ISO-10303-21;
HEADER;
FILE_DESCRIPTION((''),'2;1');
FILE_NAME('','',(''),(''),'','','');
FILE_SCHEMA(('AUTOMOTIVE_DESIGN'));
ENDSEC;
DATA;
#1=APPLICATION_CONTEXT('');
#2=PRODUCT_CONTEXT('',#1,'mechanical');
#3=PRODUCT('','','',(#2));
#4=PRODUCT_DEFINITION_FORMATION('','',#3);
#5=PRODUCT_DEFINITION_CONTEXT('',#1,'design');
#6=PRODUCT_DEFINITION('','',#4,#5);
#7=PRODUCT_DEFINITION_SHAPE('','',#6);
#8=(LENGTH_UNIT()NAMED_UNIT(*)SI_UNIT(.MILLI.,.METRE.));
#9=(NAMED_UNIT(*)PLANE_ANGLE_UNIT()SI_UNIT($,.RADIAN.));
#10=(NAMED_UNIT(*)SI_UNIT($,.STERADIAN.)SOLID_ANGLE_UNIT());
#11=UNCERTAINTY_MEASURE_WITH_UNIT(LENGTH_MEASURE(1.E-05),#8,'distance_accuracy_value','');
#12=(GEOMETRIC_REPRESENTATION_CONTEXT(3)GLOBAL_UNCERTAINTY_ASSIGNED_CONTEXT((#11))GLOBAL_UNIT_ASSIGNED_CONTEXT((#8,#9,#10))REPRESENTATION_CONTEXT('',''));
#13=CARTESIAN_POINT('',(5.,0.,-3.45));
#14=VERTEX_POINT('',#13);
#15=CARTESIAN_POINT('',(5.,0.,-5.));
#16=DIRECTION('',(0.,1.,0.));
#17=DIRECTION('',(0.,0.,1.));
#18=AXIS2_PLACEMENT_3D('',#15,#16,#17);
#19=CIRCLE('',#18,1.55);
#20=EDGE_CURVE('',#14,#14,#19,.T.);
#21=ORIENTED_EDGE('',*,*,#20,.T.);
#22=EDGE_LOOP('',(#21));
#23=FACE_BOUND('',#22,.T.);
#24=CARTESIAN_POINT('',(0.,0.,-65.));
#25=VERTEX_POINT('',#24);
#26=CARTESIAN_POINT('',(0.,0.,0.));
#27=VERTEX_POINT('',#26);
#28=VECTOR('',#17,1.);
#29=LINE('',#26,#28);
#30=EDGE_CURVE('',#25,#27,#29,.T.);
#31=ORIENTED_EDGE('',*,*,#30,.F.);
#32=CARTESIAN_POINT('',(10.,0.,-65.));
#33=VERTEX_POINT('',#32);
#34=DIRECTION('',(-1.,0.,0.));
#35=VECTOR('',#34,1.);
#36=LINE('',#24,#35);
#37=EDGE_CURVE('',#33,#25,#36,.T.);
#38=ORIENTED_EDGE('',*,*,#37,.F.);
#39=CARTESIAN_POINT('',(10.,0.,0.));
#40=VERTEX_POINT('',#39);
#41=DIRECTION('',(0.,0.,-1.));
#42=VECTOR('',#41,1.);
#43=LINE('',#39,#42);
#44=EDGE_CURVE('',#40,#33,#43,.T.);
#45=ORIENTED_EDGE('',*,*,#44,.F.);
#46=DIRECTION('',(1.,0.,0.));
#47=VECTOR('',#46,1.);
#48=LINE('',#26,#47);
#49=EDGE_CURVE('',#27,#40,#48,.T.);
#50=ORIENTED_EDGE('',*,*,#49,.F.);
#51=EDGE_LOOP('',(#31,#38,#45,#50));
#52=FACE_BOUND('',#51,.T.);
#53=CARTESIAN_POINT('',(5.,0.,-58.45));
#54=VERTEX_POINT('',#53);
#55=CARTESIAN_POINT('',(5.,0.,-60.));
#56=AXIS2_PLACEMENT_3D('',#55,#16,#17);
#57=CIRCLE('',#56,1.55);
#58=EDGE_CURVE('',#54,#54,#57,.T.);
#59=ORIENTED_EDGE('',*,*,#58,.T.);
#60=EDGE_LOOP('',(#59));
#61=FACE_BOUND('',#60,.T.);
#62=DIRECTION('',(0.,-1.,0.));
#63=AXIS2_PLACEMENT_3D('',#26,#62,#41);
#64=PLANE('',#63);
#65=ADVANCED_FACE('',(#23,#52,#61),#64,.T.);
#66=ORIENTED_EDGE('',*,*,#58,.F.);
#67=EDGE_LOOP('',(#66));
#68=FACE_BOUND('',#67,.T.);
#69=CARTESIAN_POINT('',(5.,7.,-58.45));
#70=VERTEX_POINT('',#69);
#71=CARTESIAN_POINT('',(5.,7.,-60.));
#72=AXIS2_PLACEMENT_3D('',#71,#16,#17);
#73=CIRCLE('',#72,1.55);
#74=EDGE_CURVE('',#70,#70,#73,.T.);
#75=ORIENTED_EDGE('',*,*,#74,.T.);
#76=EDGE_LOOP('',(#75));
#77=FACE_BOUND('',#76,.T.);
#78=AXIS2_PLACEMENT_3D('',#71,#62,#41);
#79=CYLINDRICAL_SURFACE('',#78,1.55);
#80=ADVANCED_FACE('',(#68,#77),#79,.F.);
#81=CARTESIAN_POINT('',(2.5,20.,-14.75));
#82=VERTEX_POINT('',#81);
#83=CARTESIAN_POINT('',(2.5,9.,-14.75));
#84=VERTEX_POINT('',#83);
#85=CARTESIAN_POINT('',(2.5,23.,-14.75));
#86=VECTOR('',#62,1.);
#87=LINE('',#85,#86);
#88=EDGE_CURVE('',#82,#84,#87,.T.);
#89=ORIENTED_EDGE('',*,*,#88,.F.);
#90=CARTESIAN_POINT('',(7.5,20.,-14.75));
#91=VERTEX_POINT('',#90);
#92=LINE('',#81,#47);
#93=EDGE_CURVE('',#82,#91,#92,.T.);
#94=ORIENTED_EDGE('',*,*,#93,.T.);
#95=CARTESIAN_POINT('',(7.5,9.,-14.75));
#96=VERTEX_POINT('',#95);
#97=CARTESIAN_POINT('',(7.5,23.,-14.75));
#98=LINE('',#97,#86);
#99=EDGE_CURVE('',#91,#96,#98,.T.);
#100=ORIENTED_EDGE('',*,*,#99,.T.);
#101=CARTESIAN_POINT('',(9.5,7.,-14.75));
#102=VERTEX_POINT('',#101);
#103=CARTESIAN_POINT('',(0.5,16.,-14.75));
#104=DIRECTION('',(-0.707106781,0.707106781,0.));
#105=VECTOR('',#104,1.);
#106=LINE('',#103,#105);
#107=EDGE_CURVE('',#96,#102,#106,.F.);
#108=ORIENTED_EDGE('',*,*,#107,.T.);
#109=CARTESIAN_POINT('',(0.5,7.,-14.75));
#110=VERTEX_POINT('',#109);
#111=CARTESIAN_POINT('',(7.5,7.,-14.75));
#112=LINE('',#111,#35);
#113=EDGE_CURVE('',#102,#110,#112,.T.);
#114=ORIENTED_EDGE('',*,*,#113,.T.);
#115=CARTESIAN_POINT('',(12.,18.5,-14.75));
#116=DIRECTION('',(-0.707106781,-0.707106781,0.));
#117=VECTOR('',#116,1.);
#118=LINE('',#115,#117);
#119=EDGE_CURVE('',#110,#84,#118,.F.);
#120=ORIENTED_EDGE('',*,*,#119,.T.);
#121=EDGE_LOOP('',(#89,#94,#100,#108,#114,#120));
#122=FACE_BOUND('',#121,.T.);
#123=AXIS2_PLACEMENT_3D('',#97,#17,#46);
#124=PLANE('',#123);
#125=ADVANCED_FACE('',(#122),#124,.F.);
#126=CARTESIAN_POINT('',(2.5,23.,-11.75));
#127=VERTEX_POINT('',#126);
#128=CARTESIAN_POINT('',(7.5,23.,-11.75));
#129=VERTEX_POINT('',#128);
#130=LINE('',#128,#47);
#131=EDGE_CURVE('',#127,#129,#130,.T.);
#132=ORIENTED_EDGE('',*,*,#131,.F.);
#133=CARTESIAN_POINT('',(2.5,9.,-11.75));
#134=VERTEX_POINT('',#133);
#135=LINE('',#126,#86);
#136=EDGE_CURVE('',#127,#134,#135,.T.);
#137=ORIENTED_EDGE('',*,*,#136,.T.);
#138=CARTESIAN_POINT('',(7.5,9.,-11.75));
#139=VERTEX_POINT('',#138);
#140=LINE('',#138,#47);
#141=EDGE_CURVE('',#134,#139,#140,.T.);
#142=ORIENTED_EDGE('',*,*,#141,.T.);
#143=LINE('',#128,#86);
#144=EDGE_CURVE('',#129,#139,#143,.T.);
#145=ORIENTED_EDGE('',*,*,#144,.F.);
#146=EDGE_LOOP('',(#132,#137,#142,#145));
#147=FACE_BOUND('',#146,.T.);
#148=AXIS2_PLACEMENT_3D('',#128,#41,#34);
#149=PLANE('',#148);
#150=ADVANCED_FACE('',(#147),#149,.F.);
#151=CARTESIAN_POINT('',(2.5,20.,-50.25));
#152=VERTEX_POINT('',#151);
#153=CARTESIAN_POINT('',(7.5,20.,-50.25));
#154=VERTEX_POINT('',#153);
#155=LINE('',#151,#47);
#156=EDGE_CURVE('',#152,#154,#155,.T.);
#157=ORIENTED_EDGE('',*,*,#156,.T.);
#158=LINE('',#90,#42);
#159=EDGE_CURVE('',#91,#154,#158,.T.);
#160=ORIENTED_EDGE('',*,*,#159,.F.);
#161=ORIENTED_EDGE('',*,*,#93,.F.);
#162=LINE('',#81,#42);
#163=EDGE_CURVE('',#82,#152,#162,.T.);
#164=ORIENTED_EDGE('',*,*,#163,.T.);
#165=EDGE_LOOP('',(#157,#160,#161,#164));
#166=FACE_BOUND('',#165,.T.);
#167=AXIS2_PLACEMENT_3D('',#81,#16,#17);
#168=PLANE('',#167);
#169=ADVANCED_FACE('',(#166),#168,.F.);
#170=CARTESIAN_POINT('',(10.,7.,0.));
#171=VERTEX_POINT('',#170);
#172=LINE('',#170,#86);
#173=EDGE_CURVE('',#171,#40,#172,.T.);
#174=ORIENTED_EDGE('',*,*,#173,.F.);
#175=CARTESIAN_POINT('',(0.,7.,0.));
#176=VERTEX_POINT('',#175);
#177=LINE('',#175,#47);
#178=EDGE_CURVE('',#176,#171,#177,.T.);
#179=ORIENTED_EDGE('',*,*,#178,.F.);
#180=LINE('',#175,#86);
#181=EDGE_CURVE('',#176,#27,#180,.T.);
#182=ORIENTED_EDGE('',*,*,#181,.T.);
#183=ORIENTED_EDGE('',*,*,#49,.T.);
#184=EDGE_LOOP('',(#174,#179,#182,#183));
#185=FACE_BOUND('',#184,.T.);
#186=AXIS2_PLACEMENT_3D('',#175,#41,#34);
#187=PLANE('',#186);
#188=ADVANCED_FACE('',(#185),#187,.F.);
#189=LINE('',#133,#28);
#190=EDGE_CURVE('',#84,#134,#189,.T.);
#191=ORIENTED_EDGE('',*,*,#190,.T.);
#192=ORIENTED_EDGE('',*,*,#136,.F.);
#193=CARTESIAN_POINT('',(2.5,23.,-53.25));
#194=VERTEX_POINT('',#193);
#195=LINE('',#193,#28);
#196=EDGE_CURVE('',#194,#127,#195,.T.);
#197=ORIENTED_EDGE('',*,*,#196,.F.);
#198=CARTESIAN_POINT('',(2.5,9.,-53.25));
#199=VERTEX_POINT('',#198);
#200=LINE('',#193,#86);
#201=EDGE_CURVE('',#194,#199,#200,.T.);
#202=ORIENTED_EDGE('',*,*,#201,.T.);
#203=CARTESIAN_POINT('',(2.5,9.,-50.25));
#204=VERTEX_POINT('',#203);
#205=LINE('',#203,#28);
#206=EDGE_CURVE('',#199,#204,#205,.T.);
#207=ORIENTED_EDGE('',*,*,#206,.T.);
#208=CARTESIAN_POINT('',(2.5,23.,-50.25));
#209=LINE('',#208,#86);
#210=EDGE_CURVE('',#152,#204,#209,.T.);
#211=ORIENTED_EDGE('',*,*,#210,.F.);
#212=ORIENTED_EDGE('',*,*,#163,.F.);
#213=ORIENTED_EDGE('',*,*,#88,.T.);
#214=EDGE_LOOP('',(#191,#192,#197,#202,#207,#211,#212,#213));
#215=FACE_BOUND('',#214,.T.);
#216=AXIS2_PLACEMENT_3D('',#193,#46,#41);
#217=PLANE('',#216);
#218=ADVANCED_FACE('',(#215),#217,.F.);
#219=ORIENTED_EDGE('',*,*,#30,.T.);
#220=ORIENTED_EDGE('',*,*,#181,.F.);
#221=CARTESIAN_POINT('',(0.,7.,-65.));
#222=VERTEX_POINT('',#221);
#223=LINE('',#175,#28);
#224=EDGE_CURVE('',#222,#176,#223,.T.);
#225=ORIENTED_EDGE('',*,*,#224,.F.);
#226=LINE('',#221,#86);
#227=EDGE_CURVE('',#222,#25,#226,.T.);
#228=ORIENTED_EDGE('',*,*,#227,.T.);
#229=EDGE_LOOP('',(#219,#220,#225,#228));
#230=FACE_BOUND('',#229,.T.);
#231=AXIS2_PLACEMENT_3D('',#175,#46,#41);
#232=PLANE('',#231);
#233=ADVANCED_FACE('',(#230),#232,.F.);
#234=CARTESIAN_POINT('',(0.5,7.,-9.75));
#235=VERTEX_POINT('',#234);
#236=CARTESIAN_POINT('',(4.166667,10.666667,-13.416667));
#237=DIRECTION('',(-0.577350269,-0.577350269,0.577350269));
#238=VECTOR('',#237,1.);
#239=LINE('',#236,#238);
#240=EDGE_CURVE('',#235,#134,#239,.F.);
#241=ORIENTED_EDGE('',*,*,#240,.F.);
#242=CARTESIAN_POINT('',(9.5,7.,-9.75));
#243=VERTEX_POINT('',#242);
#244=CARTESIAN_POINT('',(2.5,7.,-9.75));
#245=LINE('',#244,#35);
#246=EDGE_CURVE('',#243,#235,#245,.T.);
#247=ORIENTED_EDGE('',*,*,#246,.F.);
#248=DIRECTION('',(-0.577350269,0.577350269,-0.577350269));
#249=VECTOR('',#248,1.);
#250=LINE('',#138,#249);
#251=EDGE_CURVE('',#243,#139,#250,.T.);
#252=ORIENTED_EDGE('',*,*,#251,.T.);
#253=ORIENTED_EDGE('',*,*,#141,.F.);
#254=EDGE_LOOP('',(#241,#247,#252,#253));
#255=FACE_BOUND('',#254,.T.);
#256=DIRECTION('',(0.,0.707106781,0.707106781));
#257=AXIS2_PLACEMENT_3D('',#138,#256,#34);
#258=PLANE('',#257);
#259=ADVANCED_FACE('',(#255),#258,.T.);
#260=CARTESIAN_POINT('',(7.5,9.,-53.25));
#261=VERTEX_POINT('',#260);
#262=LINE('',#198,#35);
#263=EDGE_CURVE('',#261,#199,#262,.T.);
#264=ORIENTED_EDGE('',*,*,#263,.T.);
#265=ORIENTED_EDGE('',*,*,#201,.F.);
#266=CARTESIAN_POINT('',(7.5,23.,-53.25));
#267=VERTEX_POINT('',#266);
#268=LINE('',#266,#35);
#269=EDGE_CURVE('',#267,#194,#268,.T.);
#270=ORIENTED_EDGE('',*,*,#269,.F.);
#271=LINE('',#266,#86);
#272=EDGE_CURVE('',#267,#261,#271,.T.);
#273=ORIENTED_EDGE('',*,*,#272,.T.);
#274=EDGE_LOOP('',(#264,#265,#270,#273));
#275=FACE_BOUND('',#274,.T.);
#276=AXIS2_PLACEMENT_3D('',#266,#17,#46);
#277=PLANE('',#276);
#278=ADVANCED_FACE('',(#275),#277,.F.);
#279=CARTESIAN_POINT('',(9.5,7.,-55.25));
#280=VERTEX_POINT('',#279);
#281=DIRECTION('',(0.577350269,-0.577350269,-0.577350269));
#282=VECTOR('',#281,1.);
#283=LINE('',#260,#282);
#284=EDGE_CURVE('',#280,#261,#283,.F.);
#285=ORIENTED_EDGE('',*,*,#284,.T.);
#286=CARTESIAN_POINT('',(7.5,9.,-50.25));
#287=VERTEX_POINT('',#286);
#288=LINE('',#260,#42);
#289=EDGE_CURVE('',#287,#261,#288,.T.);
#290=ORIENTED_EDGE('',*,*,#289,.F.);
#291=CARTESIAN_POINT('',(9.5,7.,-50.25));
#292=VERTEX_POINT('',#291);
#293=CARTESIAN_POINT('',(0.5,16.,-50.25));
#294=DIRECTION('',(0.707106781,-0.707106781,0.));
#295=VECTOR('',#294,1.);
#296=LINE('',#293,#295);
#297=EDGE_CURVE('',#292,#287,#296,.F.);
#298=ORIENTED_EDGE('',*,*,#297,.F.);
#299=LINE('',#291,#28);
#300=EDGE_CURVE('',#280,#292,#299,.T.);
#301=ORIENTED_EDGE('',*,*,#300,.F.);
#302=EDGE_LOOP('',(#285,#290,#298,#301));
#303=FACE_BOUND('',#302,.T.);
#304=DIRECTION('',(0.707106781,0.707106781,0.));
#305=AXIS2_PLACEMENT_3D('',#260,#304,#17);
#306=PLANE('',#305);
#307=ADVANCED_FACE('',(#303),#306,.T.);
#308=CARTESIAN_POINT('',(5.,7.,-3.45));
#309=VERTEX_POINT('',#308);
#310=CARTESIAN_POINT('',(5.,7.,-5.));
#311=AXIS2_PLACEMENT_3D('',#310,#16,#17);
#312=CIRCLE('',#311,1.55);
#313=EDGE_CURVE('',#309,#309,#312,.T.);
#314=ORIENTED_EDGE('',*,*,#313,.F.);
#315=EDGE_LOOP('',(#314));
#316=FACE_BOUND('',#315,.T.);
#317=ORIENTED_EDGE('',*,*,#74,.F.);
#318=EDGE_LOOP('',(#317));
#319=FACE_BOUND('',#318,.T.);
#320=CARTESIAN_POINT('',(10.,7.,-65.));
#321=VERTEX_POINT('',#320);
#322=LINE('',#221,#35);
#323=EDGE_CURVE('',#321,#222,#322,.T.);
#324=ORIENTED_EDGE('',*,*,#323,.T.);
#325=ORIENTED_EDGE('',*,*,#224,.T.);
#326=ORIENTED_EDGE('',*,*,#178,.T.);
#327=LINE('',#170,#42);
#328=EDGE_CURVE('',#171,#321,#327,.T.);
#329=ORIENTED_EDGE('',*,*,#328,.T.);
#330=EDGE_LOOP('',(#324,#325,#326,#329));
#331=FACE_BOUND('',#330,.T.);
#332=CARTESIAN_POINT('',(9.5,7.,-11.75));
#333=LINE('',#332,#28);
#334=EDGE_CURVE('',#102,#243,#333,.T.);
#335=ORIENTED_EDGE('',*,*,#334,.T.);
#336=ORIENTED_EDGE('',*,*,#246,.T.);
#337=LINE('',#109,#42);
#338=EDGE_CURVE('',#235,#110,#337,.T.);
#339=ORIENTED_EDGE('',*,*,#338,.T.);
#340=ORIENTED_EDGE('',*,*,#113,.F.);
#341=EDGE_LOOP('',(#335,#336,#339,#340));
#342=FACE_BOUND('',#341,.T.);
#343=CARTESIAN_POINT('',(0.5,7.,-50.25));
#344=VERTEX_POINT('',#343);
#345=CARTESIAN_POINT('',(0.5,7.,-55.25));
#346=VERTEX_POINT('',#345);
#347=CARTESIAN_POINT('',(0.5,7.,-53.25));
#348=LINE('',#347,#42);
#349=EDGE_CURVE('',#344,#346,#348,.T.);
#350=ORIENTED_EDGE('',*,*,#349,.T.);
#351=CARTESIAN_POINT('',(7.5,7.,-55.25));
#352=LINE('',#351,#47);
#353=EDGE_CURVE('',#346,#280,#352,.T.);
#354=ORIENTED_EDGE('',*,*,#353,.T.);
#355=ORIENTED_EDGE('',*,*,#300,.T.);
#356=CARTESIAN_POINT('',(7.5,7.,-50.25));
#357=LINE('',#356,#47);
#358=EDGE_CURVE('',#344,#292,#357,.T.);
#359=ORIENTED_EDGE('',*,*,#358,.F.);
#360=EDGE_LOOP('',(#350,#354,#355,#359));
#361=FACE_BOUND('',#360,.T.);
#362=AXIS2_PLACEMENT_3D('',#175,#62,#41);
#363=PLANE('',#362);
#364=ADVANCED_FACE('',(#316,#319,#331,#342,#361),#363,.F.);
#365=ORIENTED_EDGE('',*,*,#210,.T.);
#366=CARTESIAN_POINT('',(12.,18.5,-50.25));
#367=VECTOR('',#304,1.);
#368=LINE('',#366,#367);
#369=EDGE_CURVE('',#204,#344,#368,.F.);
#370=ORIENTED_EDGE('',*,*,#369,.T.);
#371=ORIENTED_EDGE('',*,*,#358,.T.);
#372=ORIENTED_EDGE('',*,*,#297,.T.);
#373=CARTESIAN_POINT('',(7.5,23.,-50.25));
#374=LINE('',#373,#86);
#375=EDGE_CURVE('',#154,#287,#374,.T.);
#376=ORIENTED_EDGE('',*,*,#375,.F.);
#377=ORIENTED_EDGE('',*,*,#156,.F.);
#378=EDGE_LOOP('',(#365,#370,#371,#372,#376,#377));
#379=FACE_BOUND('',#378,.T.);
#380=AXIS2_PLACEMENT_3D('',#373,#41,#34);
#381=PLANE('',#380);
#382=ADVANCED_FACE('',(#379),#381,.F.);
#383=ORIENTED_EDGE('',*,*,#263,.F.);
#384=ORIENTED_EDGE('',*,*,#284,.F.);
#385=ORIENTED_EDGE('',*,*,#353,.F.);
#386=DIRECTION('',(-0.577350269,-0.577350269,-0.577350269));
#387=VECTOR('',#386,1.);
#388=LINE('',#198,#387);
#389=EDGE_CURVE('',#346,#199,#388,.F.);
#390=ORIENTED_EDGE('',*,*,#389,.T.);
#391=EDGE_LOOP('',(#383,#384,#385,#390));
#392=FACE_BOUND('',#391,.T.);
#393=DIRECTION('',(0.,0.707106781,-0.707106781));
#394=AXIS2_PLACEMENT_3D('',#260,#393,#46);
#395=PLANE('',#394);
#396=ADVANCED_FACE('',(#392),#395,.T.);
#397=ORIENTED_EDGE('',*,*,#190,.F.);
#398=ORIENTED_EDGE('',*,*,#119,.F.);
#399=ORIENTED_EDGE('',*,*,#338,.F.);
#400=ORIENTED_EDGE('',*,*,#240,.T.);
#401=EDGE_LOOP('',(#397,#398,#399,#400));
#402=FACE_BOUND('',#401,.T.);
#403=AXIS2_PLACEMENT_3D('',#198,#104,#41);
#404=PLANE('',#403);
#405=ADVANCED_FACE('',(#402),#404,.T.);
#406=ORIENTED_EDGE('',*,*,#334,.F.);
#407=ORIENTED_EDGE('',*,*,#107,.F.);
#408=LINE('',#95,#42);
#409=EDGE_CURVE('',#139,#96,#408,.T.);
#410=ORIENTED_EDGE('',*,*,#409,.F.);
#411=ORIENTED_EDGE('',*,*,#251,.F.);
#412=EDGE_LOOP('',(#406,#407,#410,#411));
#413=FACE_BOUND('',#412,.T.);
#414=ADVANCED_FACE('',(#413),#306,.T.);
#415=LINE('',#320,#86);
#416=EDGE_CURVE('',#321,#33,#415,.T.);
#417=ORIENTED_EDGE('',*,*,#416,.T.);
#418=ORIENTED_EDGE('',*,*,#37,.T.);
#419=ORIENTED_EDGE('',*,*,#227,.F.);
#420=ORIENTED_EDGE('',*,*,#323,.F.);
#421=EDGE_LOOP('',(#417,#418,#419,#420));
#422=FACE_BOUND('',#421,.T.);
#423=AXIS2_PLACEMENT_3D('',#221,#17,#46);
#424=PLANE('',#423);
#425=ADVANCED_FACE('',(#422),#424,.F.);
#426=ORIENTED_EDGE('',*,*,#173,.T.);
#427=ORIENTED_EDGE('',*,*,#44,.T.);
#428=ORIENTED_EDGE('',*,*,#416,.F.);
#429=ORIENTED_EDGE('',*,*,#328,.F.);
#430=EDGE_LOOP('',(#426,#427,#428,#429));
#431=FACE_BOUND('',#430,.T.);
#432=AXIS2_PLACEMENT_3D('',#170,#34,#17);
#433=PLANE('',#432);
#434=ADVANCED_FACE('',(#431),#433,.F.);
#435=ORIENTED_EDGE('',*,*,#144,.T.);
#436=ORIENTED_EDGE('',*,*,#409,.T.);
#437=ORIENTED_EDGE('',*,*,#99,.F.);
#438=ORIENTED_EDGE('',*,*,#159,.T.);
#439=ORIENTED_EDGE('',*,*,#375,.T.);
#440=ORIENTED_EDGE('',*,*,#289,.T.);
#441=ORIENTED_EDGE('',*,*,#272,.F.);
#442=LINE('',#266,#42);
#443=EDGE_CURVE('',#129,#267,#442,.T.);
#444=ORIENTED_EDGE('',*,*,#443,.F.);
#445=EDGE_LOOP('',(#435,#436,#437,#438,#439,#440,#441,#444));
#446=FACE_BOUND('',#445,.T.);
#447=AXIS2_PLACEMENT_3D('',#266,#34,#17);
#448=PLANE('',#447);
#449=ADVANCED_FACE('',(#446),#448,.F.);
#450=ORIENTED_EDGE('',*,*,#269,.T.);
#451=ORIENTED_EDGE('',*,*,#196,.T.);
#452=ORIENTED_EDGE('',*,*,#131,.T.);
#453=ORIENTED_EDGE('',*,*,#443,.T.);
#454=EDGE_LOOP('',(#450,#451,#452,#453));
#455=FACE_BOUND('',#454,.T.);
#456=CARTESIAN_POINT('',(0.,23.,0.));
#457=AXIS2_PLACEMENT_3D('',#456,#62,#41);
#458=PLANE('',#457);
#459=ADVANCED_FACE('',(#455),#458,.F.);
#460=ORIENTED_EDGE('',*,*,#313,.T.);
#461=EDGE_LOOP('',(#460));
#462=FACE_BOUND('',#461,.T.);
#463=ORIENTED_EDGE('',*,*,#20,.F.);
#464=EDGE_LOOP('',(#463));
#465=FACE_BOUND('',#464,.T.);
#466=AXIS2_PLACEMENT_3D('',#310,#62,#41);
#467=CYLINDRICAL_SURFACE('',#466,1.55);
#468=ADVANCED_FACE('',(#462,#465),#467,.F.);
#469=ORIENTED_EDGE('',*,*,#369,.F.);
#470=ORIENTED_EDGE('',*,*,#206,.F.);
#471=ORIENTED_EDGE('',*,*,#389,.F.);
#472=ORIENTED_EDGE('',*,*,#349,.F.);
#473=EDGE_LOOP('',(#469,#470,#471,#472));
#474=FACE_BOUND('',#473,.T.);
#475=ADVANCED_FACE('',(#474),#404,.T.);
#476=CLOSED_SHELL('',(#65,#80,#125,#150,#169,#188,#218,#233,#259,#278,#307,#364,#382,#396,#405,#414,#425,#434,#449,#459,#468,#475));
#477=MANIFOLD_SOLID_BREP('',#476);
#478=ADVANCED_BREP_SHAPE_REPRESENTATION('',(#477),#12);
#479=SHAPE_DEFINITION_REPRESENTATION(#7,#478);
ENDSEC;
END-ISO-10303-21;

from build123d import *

# Parameters (mm, degrees)
SKETCH1_W           = 10
SKETCH1_H           = 65
SKETCH1_R           = 1.55
BOSS_EXTRUDE1_DEPTH = 7
SKETCH2_W           = 5
SKETCH2_H           = 3
BOSS_EXTRUDE2_DEPTH = 16
SKETCH3_W           = 5
SKETCH3_H           = 3
BOSS_EXTRUDE3_DEPTH = 35.5
CHAMFER1_SIZE       = 2


with BuildPart() as part:
    # Sketch1 → Boss-Extrude1 (new body)
    with BuildSketch(Plane(origin=(0, 0, 0), x_dir=(1, 0, 0), z_dir=(0, 1, 0))):
        with Locations((5, 32.5)):
            Rectangle(SKETCH1_W, SKETCH1_H)
        with Locations((5, 60)):
            Circle(SKETCH1_R, mode=Mode.SUBTRACT)
        with Locations((5, 5)):
            Circle(SKETCH1_R, mode=Mode.SUBTRACT)
    extrude(amount=BOSS_EXTRUDE1_DEPTH)

    # Sketch2 → Boss-Extrude2 (add)
    with BuildSketch(Plane(origin=(0, 7, 0), x_dir=(1, 0, 0), z_dir=(0, 1, 0))):
        with Locations((5, 51.75)):
            Rectangle(SKETCH2_W, SKETCH2_H)
        with Locations((5, 13.25)):
            Rectangle(SKETCH2_W, SKETCH2_H)
    extrude(amount=BOSS_EXTRUDE2_DEPTH)

    # Sketch3 → Boss-Extrude3 (add)
    with BuildSketch(Plane.XY.offset(-50.25)):
        with Locations((5, 21.5)):
            Rectangle(SKETCH3_W, SKETCH3_H)
    extrude(amount=BOSS_EXTRUDE3_DEPTH)

    # Chamfer1
    chamfer1_edges = [part.edges().sort_by_distance(p)[0] for p in [
        (7.5, 7, -51.75),
        (5, 7, -53.25),
        (2.5, 7, -51.75),
        (7.5, 7, -13.25),
        (2.5, 7, -13.25),
        (5, 7, -11.75),
    ]]
    chamfer(chamfer1_edges, length=CHAMFER1_SIZE)


solid = part.part
